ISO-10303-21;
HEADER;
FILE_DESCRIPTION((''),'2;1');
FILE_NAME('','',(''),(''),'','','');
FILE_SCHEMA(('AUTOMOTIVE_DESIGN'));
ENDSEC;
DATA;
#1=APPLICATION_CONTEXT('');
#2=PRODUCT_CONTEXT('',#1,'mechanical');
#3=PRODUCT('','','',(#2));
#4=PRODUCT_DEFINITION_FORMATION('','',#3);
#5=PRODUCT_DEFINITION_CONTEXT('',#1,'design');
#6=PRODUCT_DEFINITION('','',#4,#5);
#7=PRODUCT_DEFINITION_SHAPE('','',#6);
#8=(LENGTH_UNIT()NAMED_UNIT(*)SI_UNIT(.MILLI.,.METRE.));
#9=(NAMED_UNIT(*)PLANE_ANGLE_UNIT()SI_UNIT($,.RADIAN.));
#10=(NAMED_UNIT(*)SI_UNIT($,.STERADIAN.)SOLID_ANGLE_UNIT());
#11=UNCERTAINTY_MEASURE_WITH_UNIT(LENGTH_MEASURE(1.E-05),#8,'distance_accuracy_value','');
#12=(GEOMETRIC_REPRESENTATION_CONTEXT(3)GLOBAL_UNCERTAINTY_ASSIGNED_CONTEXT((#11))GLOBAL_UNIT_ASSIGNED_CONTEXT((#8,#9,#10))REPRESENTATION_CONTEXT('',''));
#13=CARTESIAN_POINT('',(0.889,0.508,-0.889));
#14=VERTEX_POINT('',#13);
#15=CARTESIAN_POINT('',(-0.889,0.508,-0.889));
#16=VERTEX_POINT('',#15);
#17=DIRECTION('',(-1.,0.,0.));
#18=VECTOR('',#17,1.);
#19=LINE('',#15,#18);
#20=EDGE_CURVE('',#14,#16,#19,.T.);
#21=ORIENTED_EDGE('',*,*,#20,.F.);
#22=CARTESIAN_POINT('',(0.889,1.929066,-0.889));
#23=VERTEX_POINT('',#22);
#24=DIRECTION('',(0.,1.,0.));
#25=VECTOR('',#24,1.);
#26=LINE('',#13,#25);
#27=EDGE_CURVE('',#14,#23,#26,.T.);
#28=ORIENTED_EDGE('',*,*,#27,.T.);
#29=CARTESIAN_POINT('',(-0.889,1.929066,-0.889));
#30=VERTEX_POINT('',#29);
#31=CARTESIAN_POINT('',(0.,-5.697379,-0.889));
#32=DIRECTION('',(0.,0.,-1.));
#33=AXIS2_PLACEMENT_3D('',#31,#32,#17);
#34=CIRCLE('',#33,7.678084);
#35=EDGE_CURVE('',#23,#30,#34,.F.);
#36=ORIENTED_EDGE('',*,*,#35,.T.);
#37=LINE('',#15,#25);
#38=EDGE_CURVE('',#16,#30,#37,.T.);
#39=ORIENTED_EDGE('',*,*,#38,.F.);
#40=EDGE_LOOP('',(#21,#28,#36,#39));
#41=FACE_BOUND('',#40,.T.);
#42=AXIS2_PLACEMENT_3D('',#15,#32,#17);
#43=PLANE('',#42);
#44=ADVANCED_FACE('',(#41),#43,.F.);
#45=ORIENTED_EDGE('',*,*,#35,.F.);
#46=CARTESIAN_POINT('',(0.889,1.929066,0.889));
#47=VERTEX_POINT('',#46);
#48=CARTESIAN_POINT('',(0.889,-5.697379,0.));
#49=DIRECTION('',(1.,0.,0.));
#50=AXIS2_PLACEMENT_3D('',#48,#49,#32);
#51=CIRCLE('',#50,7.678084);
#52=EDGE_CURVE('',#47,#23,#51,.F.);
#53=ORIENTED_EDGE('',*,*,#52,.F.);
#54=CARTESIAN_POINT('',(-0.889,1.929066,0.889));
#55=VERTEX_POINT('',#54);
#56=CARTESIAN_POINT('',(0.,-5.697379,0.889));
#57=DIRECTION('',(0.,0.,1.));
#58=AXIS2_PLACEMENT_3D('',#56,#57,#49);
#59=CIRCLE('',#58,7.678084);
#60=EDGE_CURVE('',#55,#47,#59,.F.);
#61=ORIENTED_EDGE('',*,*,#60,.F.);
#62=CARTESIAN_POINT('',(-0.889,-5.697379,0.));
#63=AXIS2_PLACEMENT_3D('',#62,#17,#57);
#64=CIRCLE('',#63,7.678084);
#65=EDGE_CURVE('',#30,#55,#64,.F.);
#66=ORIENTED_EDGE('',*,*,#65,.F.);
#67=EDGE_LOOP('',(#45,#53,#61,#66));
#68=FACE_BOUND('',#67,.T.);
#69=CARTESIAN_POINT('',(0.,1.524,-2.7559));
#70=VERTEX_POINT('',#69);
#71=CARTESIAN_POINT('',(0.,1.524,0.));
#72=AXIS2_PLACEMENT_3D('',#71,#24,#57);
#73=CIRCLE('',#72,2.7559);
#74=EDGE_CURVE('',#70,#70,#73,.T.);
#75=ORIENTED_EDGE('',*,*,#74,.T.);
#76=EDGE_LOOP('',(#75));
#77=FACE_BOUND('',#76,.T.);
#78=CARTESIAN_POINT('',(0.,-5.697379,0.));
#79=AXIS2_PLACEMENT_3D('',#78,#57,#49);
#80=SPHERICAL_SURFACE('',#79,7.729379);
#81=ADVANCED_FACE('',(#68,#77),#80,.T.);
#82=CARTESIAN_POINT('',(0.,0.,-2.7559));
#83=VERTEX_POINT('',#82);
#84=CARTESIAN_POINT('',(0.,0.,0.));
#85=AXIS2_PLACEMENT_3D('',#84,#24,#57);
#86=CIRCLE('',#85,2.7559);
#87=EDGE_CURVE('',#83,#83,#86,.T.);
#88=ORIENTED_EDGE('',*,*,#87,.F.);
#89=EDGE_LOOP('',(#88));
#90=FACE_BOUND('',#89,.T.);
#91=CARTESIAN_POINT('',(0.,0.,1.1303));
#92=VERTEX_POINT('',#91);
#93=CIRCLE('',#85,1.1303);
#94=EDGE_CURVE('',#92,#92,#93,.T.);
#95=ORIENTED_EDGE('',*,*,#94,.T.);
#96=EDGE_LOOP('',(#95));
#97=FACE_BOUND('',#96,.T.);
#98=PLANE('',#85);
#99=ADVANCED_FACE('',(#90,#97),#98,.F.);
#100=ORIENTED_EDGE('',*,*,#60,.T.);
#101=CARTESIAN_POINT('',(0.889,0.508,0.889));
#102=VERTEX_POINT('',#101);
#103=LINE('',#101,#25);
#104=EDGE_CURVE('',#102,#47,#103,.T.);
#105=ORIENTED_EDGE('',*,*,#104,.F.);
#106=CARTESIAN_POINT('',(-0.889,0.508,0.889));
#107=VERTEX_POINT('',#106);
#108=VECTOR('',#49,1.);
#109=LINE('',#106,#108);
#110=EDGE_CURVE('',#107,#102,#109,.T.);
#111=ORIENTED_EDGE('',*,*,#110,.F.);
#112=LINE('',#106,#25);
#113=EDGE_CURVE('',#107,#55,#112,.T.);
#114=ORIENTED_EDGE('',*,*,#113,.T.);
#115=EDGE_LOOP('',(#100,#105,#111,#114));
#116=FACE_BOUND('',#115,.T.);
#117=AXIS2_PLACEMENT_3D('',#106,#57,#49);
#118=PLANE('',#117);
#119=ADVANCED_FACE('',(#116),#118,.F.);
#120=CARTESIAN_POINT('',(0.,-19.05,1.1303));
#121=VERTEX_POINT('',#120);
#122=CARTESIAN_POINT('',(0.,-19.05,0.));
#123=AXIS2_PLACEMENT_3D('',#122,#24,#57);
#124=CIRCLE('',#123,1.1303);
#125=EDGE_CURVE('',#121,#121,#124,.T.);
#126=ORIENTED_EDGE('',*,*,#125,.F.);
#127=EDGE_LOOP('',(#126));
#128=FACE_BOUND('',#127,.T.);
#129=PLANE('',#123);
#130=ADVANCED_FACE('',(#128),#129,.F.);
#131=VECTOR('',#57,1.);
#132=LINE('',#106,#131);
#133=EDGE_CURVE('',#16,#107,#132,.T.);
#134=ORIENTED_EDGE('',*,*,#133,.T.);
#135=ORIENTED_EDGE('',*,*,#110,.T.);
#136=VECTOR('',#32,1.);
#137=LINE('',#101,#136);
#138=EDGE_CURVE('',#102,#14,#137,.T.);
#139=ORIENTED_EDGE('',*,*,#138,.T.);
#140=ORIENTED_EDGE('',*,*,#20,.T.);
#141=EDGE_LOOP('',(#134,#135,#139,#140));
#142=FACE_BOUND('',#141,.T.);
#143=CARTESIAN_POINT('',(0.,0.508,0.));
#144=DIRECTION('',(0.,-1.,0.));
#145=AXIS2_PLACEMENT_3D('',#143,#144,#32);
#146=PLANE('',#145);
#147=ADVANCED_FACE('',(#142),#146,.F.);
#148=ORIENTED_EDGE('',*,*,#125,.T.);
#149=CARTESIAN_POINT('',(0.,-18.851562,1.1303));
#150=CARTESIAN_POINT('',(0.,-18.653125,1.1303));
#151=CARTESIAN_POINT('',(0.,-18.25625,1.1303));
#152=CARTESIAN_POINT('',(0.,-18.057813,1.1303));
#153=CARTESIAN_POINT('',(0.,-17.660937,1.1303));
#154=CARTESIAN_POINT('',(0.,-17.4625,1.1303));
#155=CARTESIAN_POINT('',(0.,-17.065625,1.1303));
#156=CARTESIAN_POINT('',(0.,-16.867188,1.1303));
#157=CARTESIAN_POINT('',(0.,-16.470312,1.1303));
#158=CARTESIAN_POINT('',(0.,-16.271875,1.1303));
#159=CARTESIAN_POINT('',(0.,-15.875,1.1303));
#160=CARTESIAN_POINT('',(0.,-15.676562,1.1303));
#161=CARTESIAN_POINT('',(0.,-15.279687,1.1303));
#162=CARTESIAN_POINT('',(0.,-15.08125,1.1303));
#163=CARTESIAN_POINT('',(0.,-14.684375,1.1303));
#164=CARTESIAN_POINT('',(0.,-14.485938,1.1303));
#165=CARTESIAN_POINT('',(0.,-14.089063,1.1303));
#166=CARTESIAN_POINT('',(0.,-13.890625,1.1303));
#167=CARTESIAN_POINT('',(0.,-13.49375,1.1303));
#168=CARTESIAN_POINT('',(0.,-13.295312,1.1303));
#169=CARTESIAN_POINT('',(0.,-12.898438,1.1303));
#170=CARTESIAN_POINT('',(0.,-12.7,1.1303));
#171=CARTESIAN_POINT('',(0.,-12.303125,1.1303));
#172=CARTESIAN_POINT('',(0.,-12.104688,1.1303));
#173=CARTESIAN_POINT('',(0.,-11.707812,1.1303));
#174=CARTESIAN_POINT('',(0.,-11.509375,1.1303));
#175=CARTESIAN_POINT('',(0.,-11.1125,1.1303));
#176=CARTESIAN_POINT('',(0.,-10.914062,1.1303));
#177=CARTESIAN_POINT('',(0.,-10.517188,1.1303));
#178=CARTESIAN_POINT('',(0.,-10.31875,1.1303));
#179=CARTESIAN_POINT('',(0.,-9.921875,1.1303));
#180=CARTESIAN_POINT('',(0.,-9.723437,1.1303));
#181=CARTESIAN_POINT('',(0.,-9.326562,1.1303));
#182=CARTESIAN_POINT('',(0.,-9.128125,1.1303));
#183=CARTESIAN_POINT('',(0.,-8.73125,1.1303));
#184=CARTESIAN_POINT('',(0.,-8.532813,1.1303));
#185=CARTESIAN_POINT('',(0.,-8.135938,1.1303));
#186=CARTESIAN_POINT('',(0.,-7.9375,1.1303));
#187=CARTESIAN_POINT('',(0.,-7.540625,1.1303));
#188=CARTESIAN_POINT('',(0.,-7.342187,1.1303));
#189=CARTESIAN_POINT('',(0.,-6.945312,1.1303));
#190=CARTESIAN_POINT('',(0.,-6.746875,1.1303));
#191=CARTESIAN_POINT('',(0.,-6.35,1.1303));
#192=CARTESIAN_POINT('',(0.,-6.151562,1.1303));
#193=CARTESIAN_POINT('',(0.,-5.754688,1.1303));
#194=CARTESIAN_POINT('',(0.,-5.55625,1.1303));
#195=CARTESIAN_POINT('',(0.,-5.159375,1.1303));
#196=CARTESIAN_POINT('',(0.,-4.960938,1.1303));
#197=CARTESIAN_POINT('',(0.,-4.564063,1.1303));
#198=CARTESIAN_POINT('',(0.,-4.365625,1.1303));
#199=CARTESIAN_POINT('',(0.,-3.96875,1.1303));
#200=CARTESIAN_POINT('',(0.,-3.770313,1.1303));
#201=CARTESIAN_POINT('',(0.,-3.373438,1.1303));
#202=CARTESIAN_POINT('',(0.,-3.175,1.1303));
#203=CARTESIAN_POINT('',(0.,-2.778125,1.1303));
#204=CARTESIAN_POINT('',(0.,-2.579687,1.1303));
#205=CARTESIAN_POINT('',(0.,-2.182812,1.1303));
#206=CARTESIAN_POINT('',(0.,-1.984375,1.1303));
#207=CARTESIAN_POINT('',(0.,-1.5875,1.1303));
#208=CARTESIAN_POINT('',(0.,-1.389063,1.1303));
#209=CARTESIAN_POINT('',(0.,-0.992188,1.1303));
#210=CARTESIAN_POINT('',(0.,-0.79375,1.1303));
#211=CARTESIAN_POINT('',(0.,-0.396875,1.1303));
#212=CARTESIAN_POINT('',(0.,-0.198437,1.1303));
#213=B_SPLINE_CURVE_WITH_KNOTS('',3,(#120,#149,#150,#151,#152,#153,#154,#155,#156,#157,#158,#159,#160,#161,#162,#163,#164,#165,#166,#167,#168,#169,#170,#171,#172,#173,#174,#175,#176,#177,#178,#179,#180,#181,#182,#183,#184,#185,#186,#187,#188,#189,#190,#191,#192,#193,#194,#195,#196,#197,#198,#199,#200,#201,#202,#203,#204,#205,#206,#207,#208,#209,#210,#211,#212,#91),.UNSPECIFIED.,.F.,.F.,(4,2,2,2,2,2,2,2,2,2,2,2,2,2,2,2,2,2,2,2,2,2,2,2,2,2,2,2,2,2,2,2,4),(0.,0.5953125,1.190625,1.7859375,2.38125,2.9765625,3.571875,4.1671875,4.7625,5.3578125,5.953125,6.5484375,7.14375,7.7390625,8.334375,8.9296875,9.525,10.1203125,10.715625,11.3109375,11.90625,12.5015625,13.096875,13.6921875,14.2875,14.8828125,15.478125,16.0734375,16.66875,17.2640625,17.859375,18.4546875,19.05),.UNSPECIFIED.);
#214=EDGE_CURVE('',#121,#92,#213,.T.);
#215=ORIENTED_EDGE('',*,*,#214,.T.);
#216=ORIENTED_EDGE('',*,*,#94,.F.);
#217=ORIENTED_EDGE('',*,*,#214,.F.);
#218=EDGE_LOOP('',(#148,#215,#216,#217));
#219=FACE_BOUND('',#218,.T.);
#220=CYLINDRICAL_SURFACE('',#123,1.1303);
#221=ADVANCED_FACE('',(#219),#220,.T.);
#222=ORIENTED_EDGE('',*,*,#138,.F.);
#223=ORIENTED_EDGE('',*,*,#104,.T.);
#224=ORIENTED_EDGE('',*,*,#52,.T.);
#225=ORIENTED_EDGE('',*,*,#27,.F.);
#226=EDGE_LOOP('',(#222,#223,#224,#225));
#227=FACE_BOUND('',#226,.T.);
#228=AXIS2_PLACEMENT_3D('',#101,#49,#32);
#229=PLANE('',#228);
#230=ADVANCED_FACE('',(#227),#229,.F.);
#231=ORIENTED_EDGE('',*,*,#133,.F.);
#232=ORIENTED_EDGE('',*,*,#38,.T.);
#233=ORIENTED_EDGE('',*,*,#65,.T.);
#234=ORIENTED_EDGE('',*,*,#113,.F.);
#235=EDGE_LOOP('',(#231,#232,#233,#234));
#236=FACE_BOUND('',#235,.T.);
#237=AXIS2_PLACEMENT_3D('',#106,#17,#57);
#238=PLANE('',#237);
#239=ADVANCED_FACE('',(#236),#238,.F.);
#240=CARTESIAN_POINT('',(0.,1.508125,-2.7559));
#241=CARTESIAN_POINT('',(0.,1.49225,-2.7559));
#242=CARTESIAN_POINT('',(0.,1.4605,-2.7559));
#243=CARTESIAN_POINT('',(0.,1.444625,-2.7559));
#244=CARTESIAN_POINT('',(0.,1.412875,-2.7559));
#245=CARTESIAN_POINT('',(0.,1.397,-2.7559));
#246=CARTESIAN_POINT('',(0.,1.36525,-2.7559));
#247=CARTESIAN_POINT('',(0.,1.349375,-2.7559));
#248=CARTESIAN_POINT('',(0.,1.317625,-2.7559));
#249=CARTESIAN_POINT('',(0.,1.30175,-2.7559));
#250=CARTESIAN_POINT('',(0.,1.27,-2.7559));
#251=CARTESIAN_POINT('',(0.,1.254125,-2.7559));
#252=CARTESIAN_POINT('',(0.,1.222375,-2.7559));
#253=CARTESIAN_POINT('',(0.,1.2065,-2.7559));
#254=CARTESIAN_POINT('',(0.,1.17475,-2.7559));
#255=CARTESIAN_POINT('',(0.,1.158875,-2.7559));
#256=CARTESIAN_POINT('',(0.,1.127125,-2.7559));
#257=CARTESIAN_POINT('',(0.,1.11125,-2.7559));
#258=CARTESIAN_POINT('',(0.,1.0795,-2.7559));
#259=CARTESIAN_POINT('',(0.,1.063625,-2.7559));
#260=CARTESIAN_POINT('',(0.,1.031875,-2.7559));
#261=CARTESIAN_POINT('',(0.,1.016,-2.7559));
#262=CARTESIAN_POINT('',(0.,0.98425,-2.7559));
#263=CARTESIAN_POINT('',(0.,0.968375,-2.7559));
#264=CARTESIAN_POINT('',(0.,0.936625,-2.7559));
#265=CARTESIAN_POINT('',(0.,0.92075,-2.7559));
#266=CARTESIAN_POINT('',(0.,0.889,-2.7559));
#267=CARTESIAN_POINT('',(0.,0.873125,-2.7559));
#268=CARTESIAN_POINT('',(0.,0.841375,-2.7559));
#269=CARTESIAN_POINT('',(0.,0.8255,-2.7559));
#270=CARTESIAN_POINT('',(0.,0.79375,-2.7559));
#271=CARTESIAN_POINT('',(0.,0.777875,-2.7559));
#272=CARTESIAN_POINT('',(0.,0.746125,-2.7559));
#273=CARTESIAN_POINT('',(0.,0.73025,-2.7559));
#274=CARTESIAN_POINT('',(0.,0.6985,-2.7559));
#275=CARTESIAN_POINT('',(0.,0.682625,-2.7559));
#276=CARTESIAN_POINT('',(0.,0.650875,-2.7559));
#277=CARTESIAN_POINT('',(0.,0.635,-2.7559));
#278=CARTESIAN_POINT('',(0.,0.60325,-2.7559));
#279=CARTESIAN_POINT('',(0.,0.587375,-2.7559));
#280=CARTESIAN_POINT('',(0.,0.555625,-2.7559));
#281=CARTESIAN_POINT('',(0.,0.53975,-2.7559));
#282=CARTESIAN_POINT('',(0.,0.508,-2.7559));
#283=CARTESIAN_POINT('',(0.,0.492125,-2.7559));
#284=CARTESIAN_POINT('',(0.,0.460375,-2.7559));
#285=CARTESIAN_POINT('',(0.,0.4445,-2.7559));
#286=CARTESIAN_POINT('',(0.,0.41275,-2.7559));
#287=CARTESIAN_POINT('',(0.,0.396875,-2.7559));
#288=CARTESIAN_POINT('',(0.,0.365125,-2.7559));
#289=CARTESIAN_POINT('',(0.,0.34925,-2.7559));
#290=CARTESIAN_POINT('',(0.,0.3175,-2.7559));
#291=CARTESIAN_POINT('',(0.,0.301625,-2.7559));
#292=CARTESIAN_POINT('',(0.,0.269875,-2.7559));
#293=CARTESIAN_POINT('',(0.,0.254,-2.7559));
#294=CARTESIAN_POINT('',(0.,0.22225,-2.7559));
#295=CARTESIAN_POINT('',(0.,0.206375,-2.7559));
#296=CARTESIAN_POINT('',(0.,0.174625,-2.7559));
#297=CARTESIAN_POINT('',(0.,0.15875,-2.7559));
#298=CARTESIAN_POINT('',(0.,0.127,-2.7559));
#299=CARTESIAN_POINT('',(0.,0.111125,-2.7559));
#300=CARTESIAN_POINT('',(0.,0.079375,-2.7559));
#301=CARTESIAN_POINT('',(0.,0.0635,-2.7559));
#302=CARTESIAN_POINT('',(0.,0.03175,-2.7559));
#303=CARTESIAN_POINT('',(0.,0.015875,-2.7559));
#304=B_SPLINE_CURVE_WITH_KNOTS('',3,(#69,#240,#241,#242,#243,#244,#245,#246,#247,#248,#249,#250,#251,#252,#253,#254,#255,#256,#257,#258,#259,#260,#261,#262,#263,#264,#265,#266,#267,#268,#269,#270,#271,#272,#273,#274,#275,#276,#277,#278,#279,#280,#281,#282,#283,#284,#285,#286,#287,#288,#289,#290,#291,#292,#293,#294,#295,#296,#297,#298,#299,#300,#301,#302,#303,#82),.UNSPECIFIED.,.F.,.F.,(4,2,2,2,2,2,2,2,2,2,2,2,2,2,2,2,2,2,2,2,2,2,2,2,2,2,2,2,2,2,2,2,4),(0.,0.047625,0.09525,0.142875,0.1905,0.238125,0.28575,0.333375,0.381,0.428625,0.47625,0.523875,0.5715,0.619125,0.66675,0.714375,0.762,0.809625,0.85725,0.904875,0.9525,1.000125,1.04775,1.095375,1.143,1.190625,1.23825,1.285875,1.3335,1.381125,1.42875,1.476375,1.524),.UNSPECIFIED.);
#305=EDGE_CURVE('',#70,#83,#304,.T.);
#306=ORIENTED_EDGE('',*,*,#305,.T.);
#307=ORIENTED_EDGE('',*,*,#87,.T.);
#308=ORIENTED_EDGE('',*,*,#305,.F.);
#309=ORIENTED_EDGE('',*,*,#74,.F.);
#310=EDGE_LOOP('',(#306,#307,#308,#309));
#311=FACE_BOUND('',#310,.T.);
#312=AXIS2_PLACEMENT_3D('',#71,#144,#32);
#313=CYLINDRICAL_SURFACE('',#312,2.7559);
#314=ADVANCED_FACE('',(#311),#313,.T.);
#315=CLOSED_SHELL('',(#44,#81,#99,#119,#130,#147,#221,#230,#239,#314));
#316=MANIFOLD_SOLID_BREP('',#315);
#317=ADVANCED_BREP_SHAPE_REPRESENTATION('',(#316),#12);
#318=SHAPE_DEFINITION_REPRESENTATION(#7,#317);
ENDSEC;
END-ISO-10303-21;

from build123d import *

# Parameters (mm, degrees)
SKETCH1_R            = 1.1303
THREADS_DEPTH        = 19.05
SKETCH2_R            = 2.7559
HEAD_DEPTH           = 1.524
HEADDOME_FACE_RADIUS = 2.7559
HEADDOME_HEIGHT      = 0.508
SKETCH3_W            = 1.778
SKETCH3_H            = 1.778
DRIVER_DEPTH         = 1.524


with BuildPart() as part:
    # Sketch1 → threads (new body)
    with BuildSketch(Plane(origin=(0, 0, 0), x_dir=(1, 0, 0), z_dir=(0, 1, 0))):
        with Locations(Location((0, 0, 0), (0, 0, 270))):
            Circle(SKETCH1_R)
    extrude(amount=-THREADS_DEPTH)

    # Sketch2 → Head (add)
    with BuildSketch(Plane(origin=(0, 0, 0), x_dir=(1, 0, 0), z_dir=(0, 1, 0))):
        with Locations(Location((0, 0, 0), (0, 0, 90))):
            Circle(SKETCH2_R)
    extrude(amount=HEAD_DEPTH)

    # HeadDome: a dome of height H over a round flat face of radius A is a cap of a sphere of radius (A * A + H * H) / (2 * H)
    headdome_r = (HEADDOME_FACE_RADIUS * HEADDOME_FACE_RADIUS + HEADDOME_HEIGHT * HEADDOME_HEIGHT) / (2 * HEADDOME_HEIGHT)
    headdome_base = Plane((0, 1.524, 0), z_dir=(0, 1, 0))
    with Locations(headdome_base.offset(HEADDOME_HEIGHT - headdome_r)):
        headdome_ball = Sphere(headdome_r, mode=Mode.PRIVATE)
    add(split(headdome_ball, bisect_by=headdome_base, keep=Keep.TOP, mode=Mode.PRIVATE))

    # Sketch3 → Driver (cut)
    with BuildSketch(Plane(origin=(0, 2.032, 0), x_dir=(1, 0, 0), z_dir=(0, 1, 0))):
        Rectangle(SKETCH3_W, SKETCH3_H)
    extrude(amount=-DRIVER_DEPTH, mode=Mode.SUBTRACT)


solid = part.part
